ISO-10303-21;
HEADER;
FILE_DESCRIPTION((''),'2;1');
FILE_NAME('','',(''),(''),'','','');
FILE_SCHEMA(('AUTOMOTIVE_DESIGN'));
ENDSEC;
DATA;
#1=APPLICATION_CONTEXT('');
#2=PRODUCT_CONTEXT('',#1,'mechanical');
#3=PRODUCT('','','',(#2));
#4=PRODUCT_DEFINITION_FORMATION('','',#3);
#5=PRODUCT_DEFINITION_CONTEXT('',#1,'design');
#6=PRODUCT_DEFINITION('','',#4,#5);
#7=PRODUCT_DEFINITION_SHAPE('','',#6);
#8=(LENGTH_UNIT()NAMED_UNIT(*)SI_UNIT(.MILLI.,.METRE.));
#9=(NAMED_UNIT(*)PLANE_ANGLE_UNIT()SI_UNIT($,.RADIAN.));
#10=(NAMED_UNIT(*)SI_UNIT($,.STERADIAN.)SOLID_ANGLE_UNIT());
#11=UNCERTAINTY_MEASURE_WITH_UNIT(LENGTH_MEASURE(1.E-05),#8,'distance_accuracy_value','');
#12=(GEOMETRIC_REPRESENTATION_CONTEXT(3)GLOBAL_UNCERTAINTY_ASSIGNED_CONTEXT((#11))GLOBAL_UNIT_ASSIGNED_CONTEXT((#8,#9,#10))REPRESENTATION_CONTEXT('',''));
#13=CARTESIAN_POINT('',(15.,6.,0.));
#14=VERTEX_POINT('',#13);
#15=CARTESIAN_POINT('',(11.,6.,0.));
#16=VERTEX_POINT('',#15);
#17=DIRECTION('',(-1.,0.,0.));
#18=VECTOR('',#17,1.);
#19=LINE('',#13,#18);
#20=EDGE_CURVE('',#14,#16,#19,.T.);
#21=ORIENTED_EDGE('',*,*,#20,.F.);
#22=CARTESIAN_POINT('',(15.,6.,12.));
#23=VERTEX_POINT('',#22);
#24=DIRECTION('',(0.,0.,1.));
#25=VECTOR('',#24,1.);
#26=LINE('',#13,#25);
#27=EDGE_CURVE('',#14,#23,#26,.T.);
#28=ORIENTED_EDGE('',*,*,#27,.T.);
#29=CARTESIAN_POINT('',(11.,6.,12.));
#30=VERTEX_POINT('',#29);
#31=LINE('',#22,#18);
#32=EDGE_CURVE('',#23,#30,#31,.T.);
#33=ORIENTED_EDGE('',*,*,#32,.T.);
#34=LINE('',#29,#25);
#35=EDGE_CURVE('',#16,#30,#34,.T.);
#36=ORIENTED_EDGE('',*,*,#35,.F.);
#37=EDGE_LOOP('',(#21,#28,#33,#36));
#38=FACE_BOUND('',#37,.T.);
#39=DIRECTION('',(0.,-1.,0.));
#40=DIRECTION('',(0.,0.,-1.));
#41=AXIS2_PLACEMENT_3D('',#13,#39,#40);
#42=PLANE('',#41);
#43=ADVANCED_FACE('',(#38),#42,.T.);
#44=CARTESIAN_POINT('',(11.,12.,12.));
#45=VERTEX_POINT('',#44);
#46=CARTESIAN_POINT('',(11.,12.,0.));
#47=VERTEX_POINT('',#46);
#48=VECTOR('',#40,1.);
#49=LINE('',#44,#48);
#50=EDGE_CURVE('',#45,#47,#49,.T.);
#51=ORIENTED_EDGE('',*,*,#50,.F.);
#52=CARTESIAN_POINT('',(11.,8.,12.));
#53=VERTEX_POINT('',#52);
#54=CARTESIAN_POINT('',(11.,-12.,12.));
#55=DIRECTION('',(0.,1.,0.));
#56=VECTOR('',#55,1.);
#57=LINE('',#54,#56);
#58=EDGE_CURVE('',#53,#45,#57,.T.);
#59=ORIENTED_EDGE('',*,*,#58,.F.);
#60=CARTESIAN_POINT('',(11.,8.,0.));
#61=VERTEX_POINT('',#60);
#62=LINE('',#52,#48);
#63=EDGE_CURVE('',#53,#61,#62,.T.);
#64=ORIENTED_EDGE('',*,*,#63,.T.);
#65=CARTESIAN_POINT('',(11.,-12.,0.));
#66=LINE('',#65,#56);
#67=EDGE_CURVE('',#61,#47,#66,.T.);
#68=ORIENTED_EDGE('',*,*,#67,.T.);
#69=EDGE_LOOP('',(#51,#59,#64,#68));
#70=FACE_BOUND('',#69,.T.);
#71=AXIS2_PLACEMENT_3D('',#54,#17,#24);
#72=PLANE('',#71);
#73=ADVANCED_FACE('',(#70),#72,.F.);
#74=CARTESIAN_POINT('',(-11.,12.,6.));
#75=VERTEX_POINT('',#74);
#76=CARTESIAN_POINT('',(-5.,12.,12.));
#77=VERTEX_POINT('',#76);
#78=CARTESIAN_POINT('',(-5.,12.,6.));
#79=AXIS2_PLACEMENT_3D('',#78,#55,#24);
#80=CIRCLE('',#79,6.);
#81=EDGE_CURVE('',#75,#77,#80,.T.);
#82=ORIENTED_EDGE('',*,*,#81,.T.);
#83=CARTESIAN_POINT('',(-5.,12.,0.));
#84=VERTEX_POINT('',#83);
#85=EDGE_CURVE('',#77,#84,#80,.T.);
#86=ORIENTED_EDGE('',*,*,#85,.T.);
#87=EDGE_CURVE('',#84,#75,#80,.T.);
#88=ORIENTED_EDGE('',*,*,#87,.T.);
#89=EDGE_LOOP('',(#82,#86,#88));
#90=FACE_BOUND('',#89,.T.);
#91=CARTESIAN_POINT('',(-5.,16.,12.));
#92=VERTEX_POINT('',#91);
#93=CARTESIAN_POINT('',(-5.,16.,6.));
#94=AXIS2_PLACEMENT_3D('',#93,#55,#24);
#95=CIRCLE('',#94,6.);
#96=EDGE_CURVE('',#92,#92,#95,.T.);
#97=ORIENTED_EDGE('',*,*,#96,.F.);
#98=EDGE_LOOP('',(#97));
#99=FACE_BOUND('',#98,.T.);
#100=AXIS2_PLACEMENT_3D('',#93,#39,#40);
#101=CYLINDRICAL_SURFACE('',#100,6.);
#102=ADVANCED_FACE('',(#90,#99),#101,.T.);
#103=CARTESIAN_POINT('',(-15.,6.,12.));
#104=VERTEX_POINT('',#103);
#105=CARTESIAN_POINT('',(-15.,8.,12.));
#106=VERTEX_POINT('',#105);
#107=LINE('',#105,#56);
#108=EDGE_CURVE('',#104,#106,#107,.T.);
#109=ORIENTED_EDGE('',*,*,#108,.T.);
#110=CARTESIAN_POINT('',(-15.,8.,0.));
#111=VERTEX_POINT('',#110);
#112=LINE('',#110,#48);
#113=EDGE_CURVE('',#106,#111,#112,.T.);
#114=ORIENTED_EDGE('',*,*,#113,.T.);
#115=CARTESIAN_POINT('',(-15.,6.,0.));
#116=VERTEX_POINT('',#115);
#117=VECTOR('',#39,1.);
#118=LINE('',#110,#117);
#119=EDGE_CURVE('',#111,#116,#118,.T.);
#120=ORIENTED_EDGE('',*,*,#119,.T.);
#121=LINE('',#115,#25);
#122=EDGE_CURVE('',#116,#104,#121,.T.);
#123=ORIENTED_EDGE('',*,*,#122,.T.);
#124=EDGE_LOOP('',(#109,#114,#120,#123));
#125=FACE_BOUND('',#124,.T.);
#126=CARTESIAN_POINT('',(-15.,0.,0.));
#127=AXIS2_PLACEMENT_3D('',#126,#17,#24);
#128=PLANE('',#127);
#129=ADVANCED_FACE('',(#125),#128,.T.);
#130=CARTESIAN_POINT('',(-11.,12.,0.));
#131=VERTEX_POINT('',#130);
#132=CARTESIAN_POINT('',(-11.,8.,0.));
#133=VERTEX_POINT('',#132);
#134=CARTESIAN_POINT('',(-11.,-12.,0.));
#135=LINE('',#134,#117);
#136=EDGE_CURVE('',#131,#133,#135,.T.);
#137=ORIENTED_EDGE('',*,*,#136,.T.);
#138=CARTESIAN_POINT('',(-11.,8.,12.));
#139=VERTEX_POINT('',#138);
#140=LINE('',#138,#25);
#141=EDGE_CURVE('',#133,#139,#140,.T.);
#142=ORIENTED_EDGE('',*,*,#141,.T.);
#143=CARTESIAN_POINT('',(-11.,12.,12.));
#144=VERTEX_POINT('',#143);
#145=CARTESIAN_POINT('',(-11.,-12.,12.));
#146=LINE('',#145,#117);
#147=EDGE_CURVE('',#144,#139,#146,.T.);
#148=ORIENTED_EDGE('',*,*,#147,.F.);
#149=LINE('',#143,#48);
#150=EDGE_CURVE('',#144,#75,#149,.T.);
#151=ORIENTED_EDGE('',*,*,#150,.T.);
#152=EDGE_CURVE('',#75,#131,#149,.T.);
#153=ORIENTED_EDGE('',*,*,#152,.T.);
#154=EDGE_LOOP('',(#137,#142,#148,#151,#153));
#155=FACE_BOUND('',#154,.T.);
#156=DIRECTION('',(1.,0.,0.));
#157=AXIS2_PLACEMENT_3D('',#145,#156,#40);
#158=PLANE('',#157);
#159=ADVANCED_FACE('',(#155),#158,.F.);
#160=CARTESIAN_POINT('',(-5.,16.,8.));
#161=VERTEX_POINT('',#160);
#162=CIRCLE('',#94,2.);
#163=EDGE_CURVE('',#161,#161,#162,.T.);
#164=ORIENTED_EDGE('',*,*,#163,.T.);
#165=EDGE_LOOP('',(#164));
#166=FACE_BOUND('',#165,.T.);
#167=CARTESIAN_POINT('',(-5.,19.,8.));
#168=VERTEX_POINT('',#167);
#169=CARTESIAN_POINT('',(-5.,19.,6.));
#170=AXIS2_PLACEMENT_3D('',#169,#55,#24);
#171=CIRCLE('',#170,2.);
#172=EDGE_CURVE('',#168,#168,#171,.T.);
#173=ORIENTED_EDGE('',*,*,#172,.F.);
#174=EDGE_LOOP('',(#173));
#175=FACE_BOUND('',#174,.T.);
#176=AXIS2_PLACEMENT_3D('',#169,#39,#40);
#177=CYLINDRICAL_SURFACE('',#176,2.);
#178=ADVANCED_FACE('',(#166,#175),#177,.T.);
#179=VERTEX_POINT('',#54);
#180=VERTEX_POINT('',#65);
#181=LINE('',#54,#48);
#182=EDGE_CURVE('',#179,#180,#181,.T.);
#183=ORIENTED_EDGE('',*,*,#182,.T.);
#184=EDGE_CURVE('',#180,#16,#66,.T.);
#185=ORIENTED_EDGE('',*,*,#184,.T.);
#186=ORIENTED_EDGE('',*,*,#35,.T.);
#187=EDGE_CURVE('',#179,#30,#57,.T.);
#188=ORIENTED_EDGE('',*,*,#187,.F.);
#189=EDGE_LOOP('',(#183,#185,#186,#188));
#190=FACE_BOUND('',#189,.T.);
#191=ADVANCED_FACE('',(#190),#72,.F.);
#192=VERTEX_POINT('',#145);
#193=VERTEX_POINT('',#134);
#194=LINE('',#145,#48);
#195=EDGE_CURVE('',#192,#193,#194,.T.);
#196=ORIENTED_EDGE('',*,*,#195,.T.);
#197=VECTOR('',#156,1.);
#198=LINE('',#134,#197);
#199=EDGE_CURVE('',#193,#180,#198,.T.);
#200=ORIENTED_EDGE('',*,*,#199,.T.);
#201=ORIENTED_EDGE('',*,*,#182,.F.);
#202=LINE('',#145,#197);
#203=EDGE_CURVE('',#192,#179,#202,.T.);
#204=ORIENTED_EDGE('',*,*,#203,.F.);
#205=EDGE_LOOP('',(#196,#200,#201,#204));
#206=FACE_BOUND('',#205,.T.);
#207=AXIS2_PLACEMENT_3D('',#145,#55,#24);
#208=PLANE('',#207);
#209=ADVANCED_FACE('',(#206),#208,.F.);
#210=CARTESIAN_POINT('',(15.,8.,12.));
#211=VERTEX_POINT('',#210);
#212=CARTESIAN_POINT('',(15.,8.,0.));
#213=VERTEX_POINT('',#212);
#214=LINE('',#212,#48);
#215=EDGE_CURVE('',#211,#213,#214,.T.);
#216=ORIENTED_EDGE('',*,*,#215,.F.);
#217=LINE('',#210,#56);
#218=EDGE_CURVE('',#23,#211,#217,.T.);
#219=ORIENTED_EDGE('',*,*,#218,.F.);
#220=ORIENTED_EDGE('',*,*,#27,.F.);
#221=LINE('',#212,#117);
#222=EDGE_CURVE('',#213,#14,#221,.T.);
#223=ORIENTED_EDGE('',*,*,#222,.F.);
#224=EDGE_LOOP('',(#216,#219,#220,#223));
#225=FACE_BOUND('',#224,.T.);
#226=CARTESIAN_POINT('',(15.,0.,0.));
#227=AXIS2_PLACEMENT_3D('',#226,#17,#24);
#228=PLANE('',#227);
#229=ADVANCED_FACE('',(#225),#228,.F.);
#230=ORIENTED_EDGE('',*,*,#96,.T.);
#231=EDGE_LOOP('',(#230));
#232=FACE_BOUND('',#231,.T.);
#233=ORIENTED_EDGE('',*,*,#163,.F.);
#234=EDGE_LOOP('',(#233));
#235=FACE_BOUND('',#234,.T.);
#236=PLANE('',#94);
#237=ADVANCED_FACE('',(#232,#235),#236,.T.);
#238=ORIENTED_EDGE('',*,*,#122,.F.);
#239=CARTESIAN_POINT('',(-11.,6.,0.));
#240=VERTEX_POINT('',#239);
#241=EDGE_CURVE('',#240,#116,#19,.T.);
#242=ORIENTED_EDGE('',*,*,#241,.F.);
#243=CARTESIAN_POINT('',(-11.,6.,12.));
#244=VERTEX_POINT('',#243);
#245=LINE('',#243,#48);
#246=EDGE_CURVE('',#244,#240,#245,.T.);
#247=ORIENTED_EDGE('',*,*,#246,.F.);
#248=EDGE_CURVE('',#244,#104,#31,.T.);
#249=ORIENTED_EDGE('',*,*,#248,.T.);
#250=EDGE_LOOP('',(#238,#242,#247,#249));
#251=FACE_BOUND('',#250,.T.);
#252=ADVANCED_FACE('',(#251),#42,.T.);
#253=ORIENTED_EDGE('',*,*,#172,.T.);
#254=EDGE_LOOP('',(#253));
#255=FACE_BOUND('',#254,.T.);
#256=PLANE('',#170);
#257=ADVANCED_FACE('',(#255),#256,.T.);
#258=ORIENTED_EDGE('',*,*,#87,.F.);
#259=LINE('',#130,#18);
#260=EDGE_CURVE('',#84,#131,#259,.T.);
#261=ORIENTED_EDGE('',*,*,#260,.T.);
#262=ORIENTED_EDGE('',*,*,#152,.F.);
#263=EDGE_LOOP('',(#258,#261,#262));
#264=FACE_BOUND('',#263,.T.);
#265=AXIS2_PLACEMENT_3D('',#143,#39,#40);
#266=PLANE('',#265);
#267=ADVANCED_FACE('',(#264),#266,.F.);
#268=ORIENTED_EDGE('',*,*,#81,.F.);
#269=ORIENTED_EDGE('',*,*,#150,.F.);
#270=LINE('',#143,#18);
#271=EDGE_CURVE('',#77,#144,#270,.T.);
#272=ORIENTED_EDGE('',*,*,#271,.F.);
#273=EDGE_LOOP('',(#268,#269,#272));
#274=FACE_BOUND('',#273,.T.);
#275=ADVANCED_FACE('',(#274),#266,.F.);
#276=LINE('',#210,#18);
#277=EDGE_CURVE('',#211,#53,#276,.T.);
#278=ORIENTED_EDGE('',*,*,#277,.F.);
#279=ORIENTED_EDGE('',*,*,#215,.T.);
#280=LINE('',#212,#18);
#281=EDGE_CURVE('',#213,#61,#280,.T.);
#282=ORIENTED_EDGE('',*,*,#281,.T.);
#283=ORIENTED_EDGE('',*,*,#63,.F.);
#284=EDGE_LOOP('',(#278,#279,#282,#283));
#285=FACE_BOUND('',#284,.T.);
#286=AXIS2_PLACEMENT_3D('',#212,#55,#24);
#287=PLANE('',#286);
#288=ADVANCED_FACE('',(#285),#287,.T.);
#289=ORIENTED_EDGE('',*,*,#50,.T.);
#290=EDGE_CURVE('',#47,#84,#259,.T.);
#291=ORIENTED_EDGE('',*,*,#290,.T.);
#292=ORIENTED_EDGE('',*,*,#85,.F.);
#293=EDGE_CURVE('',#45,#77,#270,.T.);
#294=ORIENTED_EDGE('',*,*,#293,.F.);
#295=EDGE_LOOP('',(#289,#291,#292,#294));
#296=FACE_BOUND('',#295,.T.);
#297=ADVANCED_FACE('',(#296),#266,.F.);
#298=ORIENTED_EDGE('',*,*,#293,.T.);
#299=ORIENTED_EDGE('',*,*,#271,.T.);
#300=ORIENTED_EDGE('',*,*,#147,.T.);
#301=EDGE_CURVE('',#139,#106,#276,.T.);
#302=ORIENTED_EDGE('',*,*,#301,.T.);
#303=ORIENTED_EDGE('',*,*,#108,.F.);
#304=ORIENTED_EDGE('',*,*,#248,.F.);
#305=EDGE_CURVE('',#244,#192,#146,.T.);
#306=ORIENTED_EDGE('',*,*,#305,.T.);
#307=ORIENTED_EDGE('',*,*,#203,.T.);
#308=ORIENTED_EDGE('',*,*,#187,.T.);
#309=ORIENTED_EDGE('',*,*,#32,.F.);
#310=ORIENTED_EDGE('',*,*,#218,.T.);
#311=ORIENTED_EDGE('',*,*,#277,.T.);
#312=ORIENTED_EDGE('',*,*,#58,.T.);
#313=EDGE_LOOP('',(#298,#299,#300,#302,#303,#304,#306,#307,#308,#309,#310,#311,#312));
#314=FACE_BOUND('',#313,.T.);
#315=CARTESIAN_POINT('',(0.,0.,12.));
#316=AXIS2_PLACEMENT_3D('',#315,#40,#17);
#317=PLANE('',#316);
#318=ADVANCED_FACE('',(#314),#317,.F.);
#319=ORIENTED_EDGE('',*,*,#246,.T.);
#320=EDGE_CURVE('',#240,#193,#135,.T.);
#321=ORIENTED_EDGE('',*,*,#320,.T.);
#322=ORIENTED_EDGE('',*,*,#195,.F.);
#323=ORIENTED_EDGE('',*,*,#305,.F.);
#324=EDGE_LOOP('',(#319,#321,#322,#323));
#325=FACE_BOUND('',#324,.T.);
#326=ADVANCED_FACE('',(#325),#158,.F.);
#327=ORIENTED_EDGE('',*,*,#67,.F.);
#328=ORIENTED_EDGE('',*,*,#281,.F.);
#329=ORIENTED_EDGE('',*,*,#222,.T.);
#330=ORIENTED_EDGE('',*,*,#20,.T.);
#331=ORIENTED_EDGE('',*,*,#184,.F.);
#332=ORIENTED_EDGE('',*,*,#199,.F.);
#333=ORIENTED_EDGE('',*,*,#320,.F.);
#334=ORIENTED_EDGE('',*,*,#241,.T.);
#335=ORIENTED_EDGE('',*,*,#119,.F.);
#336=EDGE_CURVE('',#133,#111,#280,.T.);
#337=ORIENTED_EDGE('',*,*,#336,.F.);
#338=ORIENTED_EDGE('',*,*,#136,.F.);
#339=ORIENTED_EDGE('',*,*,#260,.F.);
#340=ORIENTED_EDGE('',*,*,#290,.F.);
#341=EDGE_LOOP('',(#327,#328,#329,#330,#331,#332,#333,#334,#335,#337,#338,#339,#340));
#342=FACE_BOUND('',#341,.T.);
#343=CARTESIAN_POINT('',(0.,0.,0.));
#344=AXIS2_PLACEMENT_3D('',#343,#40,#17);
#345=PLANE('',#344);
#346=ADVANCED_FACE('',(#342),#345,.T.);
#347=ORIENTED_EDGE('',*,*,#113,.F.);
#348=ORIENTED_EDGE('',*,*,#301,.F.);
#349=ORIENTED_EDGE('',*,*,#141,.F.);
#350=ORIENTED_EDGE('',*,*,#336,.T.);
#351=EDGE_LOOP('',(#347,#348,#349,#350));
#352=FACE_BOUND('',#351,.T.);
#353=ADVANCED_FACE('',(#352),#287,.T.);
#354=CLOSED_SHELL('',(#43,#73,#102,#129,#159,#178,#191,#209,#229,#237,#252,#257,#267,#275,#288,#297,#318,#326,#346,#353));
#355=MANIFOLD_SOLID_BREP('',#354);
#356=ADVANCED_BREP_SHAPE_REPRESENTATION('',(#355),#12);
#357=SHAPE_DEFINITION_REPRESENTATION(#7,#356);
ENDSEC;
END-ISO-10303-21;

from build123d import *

# Parameters (mm, degrees)
SKETCH1_W           = 22
SKETCH1_H           = 24
BOSS_EXTRUDE1_DEPTH = 12
BOSS_EXTRUDE2_START = 4
SKETCH2_W           = 12
SKETCH2_H           = 2
BOSS_EXTRUDE2_DEPTH = 30
SKETCH3_R           = 6
BOSS_EXTRUDE3_DEPTH = 4
SKETCH4_R           = 2
BOSS_EXTRUDE4_DEPTH = 3


with BuildPart() as part:
    # Sketch1 → Boss-Extrude1 (new body)
    with BuildSketch(Plane.XY):
        Rectangle(SKETCH1_W, SKETCH1_H)
    extrude(amount=BOSS_EXTRUDE1_DEPTH)

    # Sketch2 → Boss-Extrude2 (add)
    with BuildSketch(Plane.ZY.offset(11).offset(BOSS_EXTRUDE2_START)):
        with Locations((6, 7)):
            Rectangle(SKETCH2_W, SKETCH2_H)
    extrude(amount=-BOSS_EXTRUDE2_DEPTH)

    # Sketch3 → Boss-Extrude3 (add)
    with BuildSketch(Plane(origin=(0, 12, 0), x_dir=(1, 0, 0), z_dir=(0, 1, 0))):
        with Locations((-5, -6)):
            Circle(SKETCH3_R)
    extrude(amount=BOSS_EXTRUDE3_DEPTH)

    # Sketch4 → Boss-Extrude4 (add)
    with BuildSketch(Plane(origin=(0, 16, 0), x_dir=(1, 0, 0), z_dir=(0, 1, 0))):
        with Locations((-5, -6)):
            Circle(SKETCH4_R)
    extrude(amount=BOSS_EXTRUDE4_DEPTH)


solid = part.part
